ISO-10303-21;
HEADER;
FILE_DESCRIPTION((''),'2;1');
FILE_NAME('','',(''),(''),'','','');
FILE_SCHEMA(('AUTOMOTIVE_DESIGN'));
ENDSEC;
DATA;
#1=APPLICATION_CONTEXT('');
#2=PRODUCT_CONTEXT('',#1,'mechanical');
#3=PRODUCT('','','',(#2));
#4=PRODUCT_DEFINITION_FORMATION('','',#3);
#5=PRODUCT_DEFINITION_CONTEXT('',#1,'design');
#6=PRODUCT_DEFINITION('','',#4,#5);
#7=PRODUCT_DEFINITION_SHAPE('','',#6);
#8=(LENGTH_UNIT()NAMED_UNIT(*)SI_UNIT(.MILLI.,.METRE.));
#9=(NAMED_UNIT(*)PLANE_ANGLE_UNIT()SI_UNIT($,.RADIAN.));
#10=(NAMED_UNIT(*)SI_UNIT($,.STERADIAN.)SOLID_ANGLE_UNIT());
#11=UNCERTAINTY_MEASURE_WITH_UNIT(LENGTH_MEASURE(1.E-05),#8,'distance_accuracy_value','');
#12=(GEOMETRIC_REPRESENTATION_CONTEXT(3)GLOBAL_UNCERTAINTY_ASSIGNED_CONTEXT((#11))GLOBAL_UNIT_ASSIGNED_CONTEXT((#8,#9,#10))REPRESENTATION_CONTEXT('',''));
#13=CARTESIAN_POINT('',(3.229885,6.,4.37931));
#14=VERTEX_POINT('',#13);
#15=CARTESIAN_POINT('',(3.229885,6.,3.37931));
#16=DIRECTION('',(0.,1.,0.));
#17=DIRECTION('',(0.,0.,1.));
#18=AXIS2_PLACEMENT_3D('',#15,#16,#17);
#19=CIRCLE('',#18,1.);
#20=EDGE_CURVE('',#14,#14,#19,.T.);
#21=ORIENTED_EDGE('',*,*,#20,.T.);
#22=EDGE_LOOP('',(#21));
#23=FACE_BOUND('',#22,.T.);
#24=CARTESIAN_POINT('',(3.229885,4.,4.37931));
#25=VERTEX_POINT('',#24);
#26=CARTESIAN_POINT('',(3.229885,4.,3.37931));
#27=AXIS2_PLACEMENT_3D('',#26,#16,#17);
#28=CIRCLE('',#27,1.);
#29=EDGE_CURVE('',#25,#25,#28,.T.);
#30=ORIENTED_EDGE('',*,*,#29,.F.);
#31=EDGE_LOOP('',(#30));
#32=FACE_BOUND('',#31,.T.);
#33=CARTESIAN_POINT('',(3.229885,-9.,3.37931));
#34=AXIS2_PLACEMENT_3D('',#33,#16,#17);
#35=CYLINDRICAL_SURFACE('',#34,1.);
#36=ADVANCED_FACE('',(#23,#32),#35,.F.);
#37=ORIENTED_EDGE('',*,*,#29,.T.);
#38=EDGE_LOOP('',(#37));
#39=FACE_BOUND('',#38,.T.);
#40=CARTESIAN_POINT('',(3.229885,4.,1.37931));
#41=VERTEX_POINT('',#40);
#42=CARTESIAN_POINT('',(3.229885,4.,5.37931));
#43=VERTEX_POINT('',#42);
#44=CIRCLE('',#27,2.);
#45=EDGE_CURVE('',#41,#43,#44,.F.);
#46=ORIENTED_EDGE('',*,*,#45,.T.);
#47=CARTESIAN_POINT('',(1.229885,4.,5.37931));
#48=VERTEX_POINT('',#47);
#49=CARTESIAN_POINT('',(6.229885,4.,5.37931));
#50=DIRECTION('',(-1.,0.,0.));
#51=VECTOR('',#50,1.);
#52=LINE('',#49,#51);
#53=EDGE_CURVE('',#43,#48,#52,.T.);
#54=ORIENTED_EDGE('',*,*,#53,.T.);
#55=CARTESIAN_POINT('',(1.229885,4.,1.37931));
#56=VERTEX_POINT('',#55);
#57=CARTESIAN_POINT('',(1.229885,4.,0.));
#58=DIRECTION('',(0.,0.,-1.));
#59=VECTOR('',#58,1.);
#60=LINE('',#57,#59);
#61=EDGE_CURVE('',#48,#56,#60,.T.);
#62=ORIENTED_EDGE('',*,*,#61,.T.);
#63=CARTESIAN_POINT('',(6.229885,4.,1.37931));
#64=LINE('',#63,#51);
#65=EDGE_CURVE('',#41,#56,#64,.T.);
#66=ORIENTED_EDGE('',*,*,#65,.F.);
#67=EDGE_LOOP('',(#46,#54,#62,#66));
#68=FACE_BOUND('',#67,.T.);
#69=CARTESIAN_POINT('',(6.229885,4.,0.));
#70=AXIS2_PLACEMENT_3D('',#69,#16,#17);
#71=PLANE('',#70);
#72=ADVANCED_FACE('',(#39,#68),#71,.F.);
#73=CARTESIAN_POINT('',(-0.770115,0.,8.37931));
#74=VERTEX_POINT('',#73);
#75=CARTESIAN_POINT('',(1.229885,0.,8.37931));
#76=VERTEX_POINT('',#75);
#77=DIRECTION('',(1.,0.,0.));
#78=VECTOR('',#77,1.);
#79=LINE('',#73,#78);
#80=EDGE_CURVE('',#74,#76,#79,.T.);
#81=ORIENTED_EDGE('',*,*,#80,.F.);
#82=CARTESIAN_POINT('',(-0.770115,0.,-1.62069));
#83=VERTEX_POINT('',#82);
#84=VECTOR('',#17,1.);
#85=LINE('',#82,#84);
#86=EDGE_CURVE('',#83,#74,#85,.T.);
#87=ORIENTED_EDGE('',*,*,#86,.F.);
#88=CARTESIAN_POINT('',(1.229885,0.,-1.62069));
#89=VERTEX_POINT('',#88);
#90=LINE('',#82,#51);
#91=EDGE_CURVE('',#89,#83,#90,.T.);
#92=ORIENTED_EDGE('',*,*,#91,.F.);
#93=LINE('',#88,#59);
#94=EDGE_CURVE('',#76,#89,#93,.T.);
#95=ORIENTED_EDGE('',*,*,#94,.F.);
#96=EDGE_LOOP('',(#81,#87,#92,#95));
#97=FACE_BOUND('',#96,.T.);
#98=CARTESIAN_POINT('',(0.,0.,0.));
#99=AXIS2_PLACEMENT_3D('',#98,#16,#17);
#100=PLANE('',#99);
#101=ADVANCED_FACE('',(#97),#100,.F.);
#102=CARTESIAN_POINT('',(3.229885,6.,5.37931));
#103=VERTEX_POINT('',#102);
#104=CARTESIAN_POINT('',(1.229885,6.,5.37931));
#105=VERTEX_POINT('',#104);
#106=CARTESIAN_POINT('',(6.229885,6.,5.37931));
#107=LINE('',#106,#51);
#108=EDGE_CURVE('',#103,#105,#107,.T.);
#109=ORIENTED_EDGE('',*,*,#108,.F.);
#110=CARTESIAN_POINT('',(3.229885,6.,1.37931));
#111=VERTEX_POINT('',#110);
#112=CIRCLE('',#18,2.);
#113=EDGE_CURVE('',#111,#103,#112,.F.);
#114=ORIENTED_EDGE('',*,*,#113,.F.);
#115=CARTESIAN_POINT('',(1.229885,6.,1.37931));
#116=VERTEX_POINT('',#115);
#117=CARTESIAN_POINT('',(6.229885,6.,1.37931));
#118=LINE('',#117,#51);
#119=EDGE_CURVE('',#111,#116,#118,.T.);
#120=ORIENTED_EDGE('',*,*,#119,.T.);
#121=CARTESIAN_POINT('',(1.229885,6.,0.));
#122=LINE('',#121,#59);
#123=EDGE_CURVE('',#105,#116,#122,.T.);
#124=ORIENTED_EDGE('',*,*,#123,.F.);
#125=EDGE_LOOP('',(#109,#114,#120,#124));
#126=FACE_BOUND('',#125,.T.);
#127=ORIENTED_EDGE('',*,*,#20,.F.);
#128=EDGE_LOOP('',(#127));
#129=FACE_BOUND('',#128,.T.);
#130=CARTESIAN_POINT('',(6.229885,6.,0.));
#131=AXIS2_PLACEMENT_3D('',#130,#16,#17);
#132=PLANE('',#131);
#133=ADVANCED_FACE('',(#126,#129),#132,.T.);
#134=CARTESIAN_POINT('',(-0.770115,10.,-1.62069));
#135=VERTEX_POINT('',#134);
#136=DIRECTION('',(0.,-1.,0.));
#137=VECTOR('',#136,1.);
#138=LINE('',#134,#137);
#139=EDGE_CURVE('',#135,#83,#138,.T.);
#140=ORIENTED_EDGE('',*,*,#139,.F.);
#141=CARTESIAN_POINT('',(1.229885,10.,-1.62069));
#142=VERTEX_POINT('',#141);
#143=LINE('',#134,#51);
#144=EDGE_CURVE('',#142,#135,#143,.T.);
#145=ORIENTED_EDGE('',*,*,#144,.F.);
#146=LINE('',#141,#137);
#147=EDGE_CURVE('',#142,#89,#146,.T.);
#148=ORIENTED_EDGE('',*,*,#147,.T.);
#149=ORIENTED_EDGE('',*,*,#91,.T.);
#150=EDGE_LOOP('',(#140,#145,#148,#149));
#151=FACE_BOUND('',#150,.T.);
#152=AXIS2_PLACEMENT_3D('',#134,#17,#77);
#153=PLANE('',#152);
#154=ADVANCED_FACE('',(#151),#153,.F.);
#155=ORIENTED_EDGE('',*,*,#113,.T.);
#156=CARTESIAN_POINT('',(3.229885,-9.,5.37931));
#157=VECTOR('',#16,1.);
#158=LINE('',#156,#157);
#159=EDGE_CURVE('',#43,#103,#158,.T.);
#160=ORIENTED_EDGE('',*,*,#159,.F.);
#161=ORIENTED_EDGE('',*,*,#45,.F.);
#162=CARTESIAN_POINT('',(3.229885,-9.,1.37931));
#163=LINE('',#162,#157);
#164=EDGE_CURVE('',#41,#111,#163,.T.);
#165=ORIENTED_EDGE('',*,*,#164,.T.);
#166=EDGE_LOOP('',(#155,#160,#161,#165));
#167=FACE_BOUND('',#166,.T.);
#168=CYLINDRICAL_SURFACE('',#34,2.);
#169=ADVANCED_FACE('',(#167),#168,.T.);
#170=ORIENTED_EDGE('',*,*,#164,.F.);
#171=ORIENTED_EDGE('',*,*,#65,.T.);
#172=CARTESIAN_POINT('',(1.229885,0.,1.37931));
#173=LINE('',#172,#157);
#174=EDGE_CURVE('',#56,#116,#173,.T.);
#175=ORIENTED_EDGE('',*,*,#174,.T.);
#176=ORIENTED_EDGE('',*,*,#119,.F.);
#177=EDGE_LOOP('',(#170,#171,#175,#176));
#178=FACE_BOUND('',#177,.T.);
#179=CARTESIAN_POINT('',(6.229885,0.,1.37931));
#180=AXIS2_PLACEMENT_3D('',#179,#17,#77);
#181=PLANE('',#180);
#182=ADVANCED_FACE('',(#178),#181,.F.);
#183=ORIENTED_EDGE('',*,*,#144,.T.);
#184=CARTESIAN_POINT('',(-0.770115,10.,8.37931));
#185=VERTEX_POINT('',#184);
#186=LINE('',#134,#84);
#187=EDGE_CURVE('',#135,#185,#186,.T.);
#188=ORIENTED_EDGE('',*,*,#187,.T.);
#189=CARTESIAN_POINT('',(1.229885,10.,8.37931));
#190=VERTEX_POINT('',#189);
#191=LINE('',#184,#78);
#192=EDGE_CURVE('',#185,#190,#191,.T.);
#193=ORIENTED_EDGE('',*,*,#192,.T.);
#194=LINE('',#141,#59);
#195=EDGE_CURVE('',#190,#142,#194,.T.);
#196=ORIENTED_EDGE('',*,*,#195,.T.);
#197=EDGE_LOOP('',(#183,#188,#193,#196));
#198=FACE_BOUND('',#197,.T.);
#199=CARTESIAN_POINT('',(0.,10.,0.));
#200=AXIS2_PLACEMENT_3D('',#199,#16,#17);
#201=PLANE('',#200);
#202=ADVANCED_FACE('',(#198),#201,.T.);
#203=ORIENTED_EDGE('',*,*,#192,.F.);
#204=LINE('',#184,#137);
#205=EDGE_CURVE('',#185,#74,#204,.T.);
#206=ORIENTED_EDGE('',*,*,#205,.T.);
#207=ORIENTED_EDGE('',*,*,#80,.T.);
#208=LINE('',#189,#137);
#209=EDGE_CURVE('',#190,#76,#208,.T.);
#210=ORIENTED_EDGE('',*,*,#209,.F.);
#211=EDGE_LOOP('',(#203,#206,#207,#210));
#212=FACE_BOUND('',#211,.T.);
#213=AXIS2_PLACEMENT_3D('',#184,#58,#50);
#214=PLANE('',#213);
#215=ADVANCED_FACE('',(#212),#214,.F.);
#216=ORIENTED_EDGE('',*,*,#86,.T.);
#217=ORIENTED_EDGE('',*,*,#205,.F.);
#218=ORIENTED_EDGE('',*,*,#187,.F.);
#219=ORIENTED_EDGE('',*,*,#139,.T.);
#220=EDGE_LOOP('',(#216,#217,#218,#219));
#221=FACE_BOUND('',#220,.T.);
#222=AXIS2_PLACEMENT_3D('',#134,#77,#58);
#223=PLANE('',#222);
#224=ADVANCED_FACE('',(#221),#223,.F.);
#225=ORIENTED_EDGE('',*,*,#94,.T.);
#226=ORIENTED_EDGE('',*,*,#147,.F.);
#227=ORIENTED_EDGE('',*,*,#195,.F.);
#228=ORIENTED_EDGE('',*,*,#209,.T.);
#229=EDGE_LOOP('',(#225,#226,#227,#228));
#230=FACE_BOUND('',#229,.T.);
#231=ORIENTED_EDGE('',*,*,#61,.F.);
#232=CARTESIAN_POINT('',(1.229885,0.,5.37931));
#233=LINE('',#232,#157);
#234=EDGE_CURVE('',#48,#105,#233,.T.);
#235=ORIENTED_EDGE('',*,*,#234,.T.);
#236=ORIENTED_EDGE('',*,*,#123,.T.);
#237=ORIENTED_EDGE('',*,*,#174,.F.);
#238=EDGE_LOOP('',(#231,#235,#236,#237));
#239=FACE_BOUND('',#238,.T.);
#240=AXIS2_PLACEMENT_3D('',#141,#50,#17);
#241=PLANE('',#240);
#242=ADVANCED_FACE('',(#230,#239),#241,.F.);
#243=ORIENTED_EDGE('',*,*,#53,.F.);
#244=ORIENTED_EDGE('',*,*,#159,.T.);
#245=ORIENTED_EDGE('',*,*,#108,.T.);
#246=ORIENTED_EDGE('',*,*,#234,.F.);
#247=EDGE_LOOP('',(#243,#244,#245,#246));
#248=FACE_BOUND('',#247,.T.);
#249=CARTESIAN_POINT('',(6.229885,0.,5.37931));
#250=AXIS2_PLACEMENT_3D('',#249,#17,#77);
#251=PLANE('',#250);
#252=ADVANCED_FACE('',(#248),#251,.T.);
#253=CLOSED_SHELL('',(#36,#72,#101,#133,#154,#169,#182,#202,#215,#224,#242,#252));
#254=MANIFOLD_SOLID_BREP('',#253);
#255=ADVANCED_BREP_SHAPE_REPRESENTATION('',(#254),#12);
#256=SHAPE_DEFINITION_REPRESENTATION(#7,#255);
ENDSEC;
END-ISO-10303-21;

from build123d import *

# Parameters (mm, degrees)
SKETCH1_W           = 2
SKETCH1_H           = 10
BOSS_EXTRUDE1_DEPTH = 10
BOSS_EXTRUDE2_DEPTH = 5
SKETCH3_R           = 1
CUT_EXTRUDE1_DEPTH  = 15


with BuildPart() as part:
    # Sketch1 → Boss-Extrude1 (new body)
    with BuildSketch(Plane(origin=(0, 0, 0), x_dir=(1, 0, 0), z_dir=(0, 1, 0))):
        with Locations((0.229885057, -3.379310345)):
            Rectangle(SKETCH1_W, SKETCH1_H)
    extrude(amount=BOSS_EXTRUDE1_DEPTH)

    # Sketch2 → Boss-Extrude2 (add)
    with BuildSketch(Plane(origin=(1.229885057, 0, 0), x_dir=(0, 0, -1), z_dir=(1, 0, 0))):
        Polygon((-2.379310345, 4), (-4.379310345, 6), (-5.379310345, 6), (-5.379310345, 4), align=None)
        Polygon((-1.379310345, 6), (-4.379310345, 6), (-2.379310345, 4), (-1.379310345, 4), align=None)
    extrude(amount=BOSS_EXTRUDE2_DEPTH)

    # Sketch3 → Cut-Extrude1 (cut)
    with BuildSketch(Plane(origin=(0, 6, 0), x_dir=(1, 0, 0), z_dir=(0, 1, 0))):
        with Locations((3.229885057, -3.379310345)):
            Circle(SKETCH3_R)
        with BuildLine():
            Line((3.229885057, -1.379310345), (6.229885057, -1.379310345))
            Line((6.229885057, -1.379310345), (6.229885057, -5.379310345))
            Line((6.229885057, -5.379310345), (3.229885057, -5.379310345))
            ThreePointArc((3.229885057, -5.379310345), (5.229885057, -3.379310345), (3.229885057, -1.379310345))
        make_face()
    extrude(amount=-CUT_EXTRUDE1_DEPTH, mode=Mode.SUBTRACT)


solid = part.part
